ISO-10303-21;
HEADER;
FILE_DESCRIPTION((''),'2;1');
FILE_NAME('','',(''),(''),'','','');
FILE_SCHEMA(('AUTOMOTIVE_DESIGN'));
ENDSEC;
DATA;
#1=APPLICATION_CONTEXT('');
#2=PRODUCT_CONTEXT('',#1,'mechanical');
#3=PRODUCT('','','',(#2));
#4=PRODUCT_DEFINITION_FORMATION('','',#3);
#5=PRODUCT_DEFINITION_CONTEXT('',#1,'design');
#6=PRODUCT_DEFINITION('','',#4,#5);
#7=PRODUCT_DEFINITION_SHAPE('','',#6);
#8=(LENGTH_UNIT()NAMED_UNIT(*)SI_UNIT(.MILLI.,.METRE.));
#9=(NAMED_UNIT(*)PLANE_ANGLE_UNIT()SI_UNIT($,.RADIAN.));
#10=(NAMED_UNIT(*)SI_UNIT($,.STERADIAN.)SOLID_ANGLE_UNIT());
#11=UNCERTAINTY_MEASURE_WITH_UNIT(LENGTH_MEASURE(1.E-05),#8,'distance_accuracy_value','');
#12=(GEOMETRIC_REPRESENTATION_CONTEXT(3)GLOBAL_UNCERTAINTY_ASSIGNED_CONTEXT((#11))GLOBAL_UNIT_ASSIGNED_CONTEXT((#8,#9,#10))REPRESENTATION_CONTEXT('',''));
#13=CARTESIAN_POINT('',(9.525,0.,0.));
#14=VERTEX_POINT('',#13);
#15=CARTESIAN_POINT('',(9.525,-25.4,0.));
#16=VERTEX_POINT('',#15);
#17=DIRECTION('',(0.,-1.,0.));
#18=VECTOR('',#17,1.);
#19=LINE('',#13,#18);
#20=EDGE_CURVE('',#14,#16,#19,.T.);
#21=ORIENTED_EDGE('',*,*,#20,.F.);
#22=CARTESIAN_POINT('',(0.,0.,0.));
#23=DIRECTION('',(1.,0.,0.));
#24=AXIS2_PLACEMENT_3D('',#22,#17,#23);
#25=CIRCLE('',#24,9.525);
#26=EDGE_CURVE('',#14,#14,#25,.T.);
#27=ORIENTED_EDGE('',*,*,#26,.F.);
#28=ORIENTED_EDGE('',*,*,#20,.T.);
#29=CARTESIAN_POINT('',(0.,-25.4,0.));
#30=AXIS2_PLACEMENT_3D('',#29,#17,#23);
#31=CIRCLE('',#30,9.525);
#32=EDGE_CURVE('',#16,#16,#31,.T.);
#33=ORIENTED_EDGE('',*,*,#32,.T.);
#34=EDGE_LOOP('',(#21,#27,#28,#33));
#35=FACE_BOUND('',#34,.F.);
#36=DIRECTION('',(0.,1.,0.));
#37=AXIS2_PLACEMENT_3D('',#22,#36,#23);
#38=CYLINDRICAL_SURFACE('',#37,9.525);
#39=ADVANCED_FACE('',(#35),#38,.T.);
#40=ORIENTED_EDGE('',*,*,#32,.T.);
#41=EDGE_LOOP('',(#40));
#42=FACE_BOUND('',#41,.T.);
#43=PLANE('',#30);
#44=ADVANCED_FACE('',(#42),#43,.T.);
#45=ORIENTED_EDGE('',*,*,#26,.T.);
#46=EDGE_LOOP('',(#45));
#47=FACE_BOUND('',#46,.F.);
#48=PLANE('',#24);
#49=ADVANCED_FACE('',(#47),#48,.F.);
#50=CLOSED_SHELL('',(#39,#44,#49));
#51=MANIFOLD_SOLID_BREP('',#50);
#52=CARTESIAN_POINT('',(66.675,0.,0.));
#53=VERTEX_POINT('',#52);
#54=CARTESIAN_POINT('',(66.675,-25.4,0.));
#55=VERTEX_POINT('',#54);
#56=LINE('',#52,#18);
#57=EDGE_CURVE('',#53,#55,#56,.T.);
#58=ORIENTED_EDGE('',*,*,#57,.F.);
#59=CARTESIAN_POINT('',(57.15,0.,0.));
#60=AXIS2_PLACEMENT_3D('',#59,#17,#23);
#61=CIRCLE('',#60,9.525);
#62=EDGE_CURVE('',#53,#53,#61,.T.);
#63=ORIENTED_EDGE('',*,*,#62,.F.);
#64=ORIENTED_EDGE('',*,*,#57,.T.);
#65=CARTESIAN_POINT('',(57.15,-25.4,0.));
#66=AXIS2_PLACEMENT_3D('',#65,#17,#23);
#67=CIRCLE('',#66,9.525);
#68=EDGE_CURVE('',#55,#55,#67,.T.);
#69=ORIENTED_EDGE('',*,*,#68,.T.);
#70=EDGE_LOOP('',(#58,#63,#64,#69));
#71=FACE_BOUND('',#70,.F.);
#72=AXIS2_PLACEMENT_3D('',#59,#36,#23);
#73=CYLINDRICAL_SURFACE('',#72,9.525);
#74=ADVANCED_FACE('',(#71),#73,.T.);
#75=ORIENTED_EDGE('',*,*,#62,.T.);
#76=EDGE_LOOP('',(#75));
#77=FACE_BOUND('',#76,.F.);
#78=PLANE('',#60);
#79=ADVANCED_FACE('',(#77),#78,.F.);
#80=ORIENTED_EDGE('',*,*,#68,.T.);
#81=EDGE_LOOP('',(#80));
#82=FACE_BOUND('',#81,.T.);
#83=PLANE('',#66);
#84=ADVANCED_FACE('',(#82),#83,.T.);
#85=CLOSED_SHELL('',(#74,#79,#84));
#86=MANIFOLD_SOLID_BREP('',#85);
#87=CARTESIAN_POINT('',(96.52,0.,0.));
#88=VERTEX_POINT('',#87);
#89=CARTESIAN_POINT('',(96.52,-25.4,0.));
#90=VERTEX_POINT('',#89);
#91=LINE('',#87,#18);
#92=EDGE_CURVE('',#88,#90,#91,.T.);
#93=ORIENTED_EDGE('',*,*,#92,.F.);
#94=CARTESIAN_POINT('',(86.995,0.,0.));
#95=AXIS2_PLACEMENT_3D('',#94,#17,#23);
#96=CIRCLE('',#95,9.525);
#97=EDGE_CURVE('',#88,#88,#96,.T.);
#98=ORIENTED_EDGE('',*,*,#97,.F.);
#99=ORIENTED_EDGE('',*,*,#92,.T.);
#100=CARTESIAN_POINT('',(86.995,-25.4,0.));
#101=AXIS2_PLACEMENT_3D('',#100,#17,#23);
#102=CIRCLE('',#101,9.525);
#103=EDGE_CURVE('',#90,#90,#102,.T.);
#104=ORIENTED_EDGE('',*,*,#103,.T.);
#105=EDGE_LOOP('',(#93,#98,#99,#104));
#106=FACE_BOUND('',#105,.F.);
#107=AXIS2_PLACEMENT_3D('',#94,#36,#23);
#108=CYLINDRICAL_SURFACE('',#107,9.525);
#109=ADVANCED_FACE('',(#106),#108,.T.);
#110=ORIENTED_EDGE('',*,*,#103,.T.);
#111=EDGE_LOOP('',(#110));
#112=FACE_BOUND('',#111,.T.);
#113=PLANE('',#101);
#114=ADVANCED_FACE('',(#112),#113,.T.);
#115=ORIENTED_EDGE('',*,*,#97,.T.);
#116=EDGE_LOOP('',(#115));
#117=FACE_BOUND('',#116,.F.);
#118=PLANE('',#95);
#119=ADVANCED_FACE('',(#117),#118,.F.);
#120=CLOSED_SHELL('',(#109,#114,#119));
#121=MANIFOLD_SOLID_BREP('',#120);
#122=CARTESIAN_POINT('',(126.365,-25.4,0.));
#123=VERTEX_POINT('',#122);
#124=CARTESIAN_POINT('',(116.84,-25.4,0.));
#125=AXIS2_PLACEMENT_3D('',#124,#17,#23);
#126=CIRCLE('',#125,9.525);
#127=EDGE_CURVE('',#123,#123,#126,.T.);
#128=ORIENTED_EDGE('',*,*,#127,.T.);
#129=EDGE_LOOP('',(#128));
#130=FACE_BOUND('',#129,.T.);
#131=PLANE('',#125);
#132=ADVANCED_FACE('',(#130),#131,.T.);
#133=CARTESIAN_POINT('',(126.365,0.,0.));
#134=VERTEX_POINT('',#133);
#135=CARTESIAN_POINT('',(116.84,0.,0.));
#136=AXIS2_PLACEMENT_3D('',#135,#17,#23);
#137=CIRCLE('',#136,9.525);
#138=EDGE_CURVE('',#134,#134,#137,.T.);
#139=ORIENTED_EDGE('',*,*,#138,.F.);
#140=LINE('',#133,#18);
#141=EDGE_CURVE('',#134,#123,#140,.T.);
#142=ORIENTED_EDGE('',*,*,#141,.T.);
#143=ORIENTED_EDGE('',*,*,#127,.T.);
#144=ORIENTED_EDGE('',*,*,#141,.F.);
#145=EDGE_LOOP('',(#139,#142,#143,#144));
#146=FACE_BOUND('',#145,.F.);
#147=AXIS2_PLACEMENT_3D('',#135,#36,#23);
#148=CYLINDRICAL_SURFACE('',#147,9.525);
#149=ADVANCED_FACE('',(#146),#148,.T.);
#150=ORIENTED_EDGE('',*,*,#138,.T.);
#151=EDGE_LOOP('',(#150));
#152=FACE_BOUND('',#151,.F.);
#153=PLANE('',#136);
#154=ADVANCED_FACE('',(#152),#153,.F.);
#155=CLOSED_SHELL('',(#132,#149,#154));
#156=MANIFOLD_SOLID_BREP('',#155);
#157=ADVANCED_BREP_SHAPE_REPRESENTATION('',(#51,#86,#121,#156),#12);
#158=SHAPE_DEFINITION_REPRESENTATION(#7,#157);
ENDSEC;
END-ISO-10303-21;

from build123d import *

# Parameters (mm, degrees)
F0_R     = 9.525
F1_DEPTH = 25.4


with BuildPart() as f1:
    # F0 (on Front) → F1 (new body)
    with BuildSketch(Plane.XZ):
        with Locations((86.995, 0)):
            Circle(F0_R)
        with Locations((116.84, 0)):
            Circle(F0_R)
        with Locations((57.15, 0)):
            Circle(F0_R)
        Circle(F0_R)
    extrude(amount=F1_DEPTH)


solid = f1.part
